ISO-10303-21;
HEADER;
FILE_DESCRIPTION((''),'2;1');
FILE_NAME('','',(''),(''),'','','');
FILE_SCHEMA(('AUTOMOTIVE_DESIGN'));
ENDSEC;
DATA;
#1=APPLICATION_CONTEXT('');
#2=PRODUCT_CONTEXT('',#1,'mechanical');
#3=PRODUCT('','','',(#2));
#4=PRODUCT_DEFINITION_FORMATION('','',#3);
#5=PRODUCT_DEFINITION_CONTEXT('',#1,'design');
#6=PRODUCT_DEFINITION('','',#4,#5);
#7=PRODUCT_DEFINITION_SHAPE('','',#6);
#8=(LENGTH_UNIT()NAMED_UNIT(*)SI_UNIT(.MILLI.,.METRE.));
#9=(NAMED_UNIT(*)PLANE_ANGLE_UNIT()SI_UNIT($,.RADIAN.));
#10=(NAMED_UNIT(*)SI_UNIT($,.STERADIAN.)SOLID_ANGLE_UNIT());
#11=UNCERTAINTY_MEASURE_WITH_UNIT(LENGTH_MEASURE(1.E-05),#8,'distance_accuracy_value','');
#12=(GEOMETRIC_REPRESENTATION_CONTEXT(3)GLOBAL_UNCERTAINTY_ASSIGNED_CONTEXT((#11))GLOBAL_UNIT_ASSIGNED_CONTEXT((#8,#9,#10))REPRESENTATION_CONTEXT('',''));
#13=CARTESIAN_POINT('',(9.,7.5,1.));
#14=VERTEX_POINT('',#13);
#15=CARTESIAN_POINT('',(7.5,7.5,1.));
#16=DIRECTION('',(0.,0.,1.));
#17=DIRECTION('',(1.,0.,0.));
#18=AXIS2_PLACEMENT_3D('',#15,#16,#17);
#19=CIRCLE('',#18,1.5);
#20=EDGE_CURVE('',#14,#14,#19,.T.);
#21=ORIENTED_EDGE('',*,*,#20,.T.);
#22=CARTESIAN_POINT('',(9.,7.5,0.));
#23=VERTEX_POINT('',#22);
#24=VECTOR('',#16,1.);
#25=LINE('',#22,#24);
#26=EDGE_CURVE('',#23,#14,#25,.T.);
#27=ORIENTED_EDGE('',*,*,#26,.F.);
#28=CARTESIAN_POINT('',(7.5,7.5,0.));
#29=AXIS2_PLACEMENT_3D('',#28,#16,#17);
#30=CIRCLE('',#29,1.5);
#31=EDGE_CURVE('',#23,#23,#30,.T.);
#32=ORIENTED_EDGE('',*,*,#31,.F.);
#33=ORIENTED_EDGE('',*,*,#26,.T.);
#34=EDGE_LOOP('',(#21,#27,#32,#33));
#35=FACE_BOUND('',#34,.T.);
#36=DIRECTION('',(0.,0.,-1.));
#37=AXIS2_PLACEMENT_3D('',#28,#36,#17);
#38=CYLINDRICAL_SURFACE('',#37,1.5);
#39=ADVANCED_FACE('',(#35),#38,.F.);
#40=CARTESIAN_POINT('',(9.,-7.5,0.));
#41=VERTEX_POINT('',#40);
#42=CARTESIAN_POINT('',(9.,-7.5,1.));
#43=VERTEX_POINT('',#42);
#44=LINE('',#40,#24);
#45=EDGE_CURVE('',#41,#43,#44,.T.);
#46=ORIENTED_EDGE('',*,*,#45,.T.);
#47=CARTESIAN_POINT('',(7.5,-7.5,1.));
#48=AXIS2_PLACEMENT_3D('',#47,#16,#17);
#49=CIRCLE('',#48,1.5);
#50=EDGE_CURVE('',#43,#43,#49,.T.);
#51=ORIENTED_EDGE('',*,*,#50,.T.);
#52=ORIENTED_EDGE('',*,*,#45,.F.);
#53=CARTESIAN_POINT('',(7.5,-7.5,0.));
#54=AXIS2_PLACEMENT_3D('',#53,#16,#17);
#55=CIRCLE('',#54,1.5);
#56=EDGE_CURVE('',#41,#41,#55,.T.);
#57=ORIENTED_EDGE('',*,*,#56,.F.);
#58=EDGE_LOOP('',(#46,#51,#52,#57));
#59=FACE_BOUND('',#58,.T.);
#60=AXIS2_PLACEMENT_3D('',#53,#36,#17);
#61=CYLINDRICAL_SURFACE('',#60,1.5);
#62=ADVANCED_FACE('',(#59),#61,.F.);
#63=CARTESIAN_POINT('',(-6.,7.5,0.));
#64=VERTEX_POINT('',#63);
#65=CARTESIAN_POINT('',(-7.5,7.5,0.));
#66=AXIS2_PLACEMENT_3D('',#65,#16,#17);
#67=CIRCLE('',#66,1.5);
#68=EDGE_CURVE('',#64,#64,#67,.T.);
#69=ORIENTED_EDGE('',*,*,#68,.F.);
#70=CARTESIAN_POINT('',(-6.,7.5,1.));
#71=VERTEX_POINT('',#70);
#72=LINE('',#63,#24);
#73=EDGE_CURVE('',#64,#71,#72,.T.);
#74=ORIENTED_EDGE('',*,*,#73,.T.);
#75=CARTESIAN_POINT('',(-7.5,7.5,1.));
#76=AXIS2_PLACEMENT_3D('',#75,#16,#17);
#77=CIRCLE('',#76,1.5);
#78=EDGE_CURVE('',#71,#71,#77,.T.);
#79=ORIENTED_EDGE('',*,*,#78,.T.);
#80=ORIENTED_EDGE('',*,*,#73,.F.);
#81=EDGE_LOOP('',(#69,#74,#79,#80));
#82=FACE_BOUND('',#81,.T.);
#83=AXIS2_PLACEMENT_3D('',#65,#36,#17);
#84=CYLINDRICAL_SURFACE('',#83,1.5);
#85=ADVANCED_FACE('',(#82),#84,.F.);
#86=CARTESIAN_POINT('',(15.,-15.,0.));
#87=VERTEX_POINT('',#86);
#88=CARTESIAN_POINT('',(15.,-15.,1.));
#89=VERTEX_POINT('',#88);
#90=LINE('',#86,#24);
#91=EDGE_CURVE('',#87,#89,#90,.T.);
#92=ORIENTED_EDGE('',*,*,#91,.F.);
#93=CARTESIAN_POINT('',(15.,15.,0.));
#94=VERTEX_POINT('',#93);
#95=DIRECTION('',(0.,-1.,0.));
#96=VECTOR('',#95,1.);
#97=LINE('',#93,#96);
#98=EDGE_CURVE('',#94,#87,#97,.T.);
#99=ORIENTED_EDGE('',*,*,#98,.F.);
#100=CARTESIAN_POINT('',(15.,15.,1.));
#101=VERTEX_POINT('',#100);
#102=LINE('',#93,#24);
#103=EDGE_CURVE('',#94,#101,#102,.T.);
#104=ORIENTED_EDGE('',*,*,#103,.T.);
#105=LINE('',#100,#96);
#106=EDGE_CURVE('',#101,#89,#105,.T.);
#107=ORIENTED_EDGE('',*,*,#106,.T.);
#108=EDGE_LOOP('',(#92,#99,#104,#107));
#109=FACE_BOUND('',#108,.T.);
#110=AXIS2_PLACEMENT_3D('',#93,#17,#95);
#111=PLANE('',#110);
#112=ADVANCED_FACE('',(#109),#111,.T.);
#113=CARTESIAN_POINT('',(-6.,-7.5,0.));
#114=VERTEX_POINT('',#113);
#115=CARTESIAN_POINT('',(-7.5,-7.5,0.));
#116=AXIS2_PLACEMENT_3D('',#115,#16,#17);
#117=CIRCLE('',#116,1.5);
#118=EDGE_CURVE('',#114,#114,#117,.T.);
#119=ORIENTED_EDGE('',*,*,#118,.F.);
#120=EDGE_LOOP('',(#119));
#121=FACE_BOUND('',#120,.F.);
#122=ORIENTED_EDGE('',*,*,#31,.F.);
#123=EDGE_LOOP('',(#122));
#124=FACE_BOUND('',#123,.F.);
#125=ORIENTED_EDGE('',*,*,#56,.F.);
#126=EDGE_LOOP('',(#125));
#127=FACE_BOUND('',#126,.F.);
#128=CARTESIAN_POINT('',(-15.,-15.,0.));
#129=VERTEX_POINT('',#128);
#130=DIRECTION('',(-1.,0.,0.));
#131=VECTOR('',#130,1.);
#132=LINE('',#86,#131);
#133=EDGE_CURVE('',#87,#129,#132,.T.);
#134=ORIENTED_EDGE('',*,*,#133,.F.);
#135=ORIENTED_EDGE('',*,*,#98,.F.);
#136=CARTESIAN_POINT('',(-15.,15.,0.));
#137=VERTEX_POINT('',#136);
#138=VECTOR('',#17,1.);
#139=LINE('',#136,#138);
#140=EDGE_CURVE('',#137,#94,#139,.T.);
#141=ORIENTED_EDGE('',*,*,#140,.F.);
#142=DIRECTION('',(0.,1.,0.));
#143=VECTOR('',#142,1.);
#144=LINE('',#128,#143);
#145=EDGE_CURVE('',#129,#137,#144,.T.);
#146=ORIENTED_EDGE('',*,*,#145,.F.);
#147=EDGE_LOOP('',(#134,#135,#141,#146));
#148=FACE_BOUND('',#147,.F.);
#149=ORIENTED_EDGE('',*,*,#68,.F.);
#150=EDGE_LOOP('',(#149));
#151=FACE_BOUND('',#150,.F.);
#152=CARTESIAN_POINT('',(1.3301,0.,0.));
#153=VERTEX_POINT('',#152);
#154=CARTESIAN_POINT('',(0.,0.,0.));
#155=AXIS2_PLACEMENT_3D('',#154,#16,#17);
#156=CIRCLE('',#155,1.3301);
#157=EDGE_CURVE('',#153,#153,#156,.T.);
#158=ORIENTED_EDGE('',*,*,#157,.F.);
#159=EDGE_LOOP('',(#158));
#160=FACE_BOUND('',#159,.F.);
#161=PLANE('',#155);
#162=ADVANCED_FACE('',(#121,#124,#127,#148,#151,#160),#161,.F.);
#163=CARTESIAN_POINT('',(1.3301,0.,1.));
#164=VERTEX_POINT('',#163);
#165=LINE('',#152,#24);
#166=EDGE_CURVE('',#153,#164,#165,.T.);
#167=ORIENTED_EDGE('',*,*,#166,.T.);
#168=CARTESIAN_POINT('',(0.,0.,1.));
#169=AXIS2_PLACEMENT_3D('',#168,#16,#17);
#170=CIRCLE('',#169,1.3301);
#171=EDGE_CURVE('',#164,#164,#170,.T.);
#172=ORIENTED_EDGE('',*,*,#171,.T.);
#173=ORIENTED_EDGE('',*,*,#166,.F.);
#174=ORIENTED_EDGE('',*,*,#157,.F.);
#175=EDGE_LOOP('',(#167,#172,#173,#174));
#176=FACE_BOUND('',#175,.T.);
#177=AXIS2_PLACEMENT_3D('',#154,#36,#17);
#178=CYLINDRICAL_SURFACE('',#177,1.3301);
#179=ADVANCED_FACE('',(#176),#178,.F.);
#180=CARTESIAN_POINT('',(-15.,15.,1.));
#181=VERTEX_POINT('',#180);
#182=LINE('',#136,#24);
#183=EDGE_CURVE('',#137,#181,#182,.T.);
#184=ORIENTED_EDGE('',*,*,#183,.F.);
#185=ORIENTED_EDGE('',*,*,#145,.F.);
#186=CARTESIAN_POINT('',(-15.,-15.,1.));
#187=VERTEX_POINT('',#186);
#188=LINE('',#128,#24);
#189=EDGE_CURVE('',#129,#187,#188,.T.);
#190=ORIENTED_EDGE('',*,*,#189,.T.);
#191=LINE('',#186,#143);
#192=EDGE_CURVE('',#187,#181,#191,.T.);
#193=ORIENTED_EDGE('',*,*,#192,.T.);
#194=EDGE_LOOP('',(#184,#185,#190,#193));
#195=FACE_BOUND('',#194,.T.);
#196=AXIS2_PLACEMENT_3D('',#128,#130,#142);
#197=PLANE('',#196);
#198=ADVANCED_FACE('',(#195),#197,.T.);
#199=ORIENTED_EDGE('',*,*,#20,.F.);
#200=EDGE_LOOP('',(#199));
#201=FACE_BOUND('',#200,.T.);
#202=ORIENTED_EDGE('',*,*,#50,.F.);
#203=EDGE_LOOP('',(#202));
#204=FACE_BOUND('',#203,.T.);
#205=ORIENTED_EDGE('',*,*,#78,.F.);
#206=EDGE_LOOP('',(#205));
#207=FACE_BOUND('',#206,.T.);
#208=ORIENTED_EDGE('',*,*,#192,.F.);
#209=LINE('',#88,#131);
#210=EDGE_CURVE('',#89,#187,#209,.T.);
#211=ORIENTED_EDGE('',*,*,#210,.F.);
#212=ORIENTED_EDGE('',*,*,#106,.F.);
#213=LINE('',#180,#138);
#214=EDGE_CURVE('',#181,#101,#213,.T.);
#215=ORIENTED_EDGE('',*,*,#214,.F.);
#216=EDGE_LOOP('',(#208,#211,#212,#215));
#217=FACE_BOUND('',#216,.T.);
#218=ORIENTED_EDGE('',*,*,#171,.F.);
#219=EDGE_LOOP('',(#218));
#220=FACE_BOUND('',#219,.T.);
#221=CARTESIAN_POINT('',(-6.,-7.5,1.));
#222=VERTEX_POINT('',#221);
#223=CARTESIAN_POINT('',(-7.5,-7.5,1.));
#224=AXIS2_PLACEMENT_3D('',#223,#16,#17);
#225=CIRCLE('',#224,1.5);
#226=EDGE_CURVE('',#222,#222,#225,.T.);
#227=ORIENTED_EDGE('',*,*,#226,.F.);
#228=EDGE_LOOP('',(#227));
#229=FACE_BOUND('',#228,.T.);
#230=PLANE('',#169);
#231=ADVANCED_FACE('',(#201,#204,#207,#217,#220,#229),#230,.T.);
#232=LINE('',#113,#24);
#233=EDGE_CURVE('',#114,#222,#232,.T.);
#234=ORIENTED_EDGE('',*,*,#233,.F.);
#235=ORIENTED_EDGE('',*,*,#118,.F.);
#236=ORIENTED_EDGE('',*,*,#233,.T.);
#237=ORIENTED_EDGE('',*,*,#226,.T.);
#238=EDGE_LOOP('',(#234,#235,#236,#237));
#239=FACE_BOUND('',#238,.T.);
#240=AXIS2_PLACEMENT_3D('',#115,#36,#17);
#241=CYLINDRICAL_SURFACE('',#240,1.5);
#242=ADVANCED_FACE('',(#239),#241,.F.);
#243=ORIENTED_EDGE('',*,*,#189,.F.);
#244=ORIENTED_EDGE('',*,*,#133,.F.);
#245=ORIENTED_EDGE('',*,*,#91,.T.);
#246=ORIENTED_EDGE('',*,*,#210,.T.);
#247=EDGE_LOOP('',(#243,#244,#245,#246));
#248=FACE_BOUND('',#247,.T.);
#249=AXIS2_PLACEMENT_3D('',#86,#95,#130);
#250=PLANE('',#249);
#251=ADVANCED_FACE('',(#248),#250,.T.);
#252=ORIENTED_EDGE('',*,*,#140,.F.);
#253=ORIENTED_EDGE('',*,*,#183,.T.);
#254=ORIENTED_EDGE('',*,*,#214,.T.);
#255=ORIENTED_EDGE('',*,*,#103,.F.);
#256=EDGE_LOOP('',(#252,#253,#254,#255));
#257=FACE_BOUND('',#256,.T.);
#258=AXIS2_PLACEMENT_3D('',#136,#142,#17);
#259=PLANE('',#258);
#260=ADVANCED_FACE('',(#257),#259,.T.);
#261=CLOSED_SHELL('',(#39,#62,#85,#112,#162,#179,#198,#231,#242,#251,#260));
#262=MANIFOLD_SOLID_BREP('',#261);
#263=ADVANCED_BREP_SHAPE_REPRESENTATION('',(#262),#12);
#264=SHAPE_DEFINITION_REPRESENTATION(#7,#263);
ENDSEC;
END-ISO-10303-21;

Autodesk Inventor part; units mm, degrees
ref_plane "YZ Plane" through (0, 0, 0) normal (1, 0, 0) x (0, 1, 0)
ref_plane "XZ Plane" through (0, 0, 0) normal (0, 1, 0) x (-1, 0, 0)
ref_plane "XY Plane" through (0, 0, 0) normal (0, 0, 1) x (1, 0, 0)
sketch "Skizze1" plane through (0, 0, 0) normal (0, 0, 1) x (1, 0, 0)
  line L0 (15, -15) -> (-15, -15)
  line L1 (-15, -15) -> (-15, 15)
  line L2 (-15, 15) -> (15, 15)
  line L3 (15, 15) -> (15, -15)
  line L4 (15, -15) -> (-15, 15) construction
  line L5 (-15, -15) -> (15, 15) construction
  line L6 (-7.5, -7.5) -> (7.5, -7.5) construction
  line L7 (7.5, -7.5) -> (7.5, 7.5) construction
  line L8 (7.5, 7.5) -> (-7.5, 7.5) construction
  line L9 (-7.5, 7.5) -> (-7.5, -7.5) construction
  line L10 (-7.5, -7.5) -> (7.5, 7.5) construction
  line L11 (7.5, -7.5) -> (-7.5, 7.5) construction
  circle A0 centre (-7.5, 7.5) radius 1.5
  circle A1 centre (7.5, 7.5) radius 1.5
  circle A2 centre (7.5, -7.5) radius 1.5
  circle A3 centre (-7.5, -7.5) radius 1.5
  circle A4 centre (0, 0) radius 1.3301
  dimension "d0" = 30
  dimension "d1" = 30
  dimension "d2" = 15
  dimension "d3" = 15
  dimension "d4" = 3
  dimension "d5" = 3
  dimension "d6" = 3
  dimension "d7" = 3
extrude "Extrusion1" add sketch "Skizze1" along normal blind 1
properties part number "00_Neopixel_4x4_Matrix"
